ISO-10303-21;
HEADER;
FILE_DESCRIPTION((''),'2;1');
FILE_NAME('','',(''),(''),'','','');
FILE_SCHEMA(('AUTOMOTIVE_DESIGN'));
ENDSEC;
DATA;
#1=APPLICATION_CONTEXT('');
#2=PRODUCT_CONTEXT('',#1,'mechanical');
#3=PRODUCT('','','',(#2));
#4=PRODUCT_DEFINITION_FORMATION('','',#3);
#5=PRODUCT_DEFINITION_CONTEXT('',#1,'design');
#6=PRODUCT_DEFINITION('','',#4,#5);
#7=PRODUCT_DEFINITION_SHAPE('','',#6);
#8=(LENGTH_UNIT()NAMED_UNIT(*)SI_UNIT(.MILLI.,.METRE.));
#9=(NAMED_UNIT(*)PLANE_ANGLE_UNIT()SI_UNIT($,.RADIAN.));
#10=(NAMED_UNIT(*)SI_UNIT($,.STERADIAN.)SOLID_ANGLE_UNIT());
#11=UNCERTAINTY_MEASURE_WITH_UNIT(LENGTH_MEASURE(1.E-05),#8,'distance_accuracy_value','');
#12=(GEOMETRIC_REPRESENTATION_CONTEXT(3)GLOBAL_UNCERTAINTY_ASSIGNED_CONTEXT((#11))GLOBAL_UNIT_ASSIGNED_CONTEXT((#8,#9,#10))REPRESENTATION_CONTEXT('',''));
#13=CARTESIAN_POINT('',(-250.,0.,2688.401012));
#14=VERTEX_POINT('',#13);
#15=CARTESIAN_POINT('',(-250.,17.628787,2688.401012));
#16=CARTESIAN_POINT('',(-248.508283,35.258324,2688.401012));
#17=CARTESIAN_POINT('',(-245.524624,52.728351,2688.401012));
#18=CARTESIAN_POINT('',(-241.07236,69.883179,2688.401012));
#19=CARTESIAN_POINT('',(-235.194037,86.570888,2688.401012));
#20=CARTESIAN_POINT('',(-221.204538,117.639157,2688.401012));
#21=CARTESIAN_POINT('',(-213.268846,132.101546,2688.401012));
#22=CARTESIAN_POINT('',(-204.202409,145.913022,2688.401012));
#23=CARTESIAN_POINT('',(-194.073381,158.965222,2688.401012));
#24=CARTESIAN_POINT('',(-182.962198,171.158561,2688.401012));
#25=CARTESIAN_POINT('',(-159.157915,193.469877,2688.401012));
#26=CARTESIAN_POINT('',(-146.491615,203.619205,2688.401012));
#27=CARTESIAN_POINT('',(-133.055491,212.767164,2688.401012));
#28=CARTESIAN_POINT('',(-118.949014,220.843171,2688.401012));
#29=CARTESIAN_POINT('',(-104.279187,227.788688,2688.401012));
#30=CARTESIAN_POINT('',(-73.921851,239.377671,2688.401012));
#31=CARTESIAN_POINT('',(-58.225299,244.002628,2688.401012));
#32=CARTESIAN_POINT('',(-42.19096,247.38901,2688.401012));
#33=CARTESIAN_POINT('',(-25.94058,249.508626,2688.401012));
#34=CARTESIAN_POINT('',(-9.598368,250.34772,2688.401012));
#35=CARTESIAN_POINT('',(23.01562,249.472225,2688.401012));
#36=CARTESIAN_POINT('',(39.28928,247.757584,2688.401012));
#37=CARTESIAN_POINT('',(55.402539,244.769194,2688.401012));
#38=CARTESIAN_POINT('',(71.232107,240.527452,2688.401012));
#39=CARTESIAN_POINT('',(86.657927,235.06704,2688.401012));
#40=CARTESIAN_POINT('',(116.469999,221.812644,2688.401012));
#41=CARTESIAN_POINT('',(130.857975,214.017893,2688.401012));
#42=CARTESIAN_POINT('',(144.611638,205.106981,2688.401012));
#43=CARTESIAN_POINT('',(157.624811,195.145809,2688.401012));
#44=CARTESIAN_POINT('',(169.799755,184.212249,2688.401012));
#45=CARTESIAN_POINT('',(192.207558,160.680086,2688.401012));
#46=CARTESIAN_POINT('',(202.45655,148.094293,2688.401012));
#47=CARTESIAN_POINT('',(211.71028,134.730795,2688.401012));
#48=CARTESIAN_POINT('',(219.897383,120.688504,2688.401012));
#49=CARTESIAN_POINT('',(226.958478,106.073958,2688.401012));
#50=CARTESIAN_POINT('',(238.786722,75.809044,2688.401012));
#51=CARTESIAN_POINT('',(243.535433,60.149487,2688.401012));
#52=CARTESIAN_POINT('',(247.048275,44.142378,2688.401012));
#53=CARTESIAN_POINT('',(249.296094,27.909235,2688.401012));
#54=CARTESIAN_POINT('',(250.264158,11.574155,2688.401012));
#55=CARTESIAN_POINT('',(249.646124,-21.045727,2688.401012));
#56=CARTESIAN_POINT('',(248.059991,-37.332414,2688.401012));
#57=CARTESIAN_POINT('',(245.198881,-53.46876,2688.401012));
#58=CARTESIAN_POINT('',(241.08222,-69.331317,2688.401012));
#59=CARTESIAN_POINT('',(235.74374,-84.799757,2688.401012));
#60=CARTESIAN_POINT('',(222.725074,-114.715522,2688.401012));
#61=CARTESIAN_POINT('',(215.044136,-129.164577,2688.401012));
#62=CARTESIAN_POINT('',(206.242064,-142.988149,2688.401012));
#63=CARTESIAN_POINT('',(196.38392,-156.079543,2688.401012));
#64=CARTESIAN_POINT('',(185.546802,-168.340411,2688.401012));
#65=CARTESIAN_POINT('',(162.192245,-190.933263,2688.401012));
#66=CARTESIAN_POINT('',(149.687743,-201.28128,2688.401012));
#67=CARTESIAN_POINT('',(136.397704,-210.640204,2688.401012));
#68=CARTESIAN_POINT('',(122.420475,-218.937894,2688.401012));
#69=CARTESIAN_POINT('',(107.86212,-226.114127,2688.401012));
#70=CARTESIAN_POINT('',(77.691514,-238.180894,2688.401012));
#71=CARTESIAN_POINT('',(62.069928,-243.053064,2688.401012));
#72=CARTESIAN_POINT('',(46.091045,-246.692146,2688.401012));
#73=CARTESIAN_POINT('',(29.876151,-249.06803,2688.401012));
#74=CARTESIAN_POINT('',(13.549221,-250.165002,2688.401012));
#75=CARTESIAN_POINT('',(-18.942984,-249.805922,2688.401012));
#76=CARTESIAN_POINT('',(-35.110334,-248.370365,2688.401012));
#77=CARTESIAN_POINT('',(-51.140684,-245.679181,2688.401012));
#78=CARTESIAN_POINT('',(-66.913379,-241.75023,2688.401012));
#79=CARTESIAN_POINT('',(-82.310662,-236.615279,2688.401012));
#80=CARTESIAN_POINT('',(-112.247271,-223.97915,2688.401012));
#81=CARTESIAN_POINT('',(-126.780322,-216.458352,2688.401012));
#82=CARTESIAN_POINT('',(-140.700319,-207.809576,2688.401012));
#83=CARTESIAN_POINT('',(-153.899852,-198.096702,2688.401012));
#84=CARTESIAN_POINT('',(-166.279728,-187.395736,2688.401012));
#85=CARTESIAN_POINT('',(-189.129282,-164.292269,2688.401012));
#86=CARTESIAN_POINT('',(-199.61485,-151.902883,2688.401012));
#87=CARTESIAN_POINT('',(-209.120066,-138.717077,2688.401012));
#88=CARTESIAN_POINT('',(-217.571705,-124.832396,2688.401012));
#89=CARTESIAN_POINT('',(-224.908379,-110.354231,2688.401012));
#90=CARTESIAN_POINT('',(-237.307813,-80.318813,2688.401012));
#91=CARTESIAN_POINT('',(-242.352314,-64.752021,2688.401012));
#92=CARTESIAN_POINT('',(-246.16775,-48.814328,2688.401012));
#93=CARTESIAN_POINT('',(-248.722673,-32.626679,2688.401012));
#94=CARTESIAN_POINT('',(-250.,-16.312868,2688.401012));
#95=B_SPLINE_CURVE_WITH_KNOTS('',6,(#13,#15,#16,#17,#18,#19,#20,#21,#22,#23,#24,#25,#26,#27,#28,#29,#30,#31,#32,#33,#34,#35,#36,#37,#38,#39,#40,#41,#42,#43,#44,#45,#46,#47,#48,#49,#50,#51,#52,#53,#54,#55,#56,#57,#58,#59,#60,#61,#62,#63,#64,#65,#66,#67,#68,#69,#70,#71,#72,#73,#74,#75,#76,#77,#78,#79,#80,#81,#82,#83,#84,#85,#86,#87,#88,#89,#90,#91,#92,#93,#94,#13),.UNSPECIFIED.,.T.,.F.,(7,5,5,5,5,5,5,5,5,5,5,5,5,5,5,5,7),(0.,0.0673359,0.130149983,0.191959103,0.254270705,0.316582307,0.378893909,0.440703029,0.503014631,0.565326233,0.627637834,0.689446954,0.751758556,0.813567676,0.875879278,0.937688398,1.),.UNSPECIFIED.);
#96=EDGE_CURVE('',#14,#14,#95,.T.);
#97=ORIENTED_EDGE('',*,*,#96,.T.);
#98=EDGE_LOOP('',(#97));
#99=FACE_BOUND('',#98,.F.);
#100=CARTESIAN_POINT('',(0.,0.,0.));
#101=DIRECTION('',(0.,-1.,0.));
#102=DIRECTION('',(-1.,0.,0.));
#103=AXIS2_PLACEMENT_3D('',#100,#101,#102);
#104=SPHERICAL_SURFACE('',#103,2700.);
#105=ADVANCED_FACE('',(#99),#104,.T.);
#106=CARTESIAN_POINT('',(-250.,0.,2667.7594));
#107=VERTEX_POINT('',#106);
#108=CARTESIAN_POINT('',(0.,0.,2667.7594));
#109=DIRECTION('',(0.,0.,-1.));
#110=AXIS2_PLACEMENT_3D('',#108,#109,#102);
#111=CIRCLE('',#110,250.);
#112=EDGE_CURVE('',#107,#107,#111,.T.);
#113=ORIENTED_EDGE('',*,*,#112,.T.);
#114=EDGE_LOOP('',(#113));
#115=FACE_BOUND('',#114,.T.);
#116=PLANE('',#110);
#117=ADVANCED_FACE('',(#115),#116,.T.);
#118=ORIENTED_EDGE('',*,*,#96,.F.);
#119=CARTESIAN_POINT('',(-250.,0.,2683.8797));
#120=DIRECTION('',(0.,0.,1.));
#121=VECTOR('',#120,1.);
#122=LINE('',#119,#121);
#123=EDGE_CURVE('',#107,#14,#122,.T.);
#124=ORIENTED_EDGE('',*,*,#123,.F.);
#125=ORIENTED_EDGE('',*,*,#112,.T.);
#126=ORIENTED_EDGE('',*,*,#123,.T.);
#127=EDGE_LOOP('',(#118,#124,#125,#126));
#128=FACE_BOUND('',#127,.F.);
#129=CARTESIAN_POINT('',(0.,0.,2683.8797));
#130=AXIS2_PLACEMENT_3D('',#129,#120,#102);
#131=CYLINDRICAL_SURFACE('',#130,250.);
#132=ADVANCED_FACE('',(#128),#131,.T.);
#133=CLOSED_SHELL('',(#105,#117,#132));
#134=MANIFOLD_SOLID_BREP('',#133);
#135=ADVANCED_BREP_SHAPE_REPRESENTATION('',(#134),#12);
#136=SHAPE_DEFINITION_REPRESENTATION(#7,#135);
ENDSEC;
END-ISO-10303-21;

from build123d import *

# Parameters (mm, degrees)
F1_ANGLE = -180
F2_W     = 250
F2_H     = 32.240601


with BuildPart() as f1:
    # F0 (on Top) → F1 (revolve)
    with BuildSketch(Plane.XY):
        with BuildLine():
            Line((0, 0), (0, 2700))
            ThreePointArc((0, 2700), (-2700, 0), (0, -2700))
            Line((0, -2700), (0, 0))
        make_face()
    revolve(axis=Axis((0, 0, 0), (0, -1, 0)), revolution_arc=F1_ANGLE)

    # F2 (on Front) → F3 (revolve, intersect)
    with BuildSketch(Plane.XZ):
        with Locations((-125, 2683.8797)):
            Rectangle(F2_W, F2_H)
    revolve(axis=Axis((0, 0, 2683.8797), (0, 0, -1)), mode=Mode.INTERSECT)


solid = f1.part
